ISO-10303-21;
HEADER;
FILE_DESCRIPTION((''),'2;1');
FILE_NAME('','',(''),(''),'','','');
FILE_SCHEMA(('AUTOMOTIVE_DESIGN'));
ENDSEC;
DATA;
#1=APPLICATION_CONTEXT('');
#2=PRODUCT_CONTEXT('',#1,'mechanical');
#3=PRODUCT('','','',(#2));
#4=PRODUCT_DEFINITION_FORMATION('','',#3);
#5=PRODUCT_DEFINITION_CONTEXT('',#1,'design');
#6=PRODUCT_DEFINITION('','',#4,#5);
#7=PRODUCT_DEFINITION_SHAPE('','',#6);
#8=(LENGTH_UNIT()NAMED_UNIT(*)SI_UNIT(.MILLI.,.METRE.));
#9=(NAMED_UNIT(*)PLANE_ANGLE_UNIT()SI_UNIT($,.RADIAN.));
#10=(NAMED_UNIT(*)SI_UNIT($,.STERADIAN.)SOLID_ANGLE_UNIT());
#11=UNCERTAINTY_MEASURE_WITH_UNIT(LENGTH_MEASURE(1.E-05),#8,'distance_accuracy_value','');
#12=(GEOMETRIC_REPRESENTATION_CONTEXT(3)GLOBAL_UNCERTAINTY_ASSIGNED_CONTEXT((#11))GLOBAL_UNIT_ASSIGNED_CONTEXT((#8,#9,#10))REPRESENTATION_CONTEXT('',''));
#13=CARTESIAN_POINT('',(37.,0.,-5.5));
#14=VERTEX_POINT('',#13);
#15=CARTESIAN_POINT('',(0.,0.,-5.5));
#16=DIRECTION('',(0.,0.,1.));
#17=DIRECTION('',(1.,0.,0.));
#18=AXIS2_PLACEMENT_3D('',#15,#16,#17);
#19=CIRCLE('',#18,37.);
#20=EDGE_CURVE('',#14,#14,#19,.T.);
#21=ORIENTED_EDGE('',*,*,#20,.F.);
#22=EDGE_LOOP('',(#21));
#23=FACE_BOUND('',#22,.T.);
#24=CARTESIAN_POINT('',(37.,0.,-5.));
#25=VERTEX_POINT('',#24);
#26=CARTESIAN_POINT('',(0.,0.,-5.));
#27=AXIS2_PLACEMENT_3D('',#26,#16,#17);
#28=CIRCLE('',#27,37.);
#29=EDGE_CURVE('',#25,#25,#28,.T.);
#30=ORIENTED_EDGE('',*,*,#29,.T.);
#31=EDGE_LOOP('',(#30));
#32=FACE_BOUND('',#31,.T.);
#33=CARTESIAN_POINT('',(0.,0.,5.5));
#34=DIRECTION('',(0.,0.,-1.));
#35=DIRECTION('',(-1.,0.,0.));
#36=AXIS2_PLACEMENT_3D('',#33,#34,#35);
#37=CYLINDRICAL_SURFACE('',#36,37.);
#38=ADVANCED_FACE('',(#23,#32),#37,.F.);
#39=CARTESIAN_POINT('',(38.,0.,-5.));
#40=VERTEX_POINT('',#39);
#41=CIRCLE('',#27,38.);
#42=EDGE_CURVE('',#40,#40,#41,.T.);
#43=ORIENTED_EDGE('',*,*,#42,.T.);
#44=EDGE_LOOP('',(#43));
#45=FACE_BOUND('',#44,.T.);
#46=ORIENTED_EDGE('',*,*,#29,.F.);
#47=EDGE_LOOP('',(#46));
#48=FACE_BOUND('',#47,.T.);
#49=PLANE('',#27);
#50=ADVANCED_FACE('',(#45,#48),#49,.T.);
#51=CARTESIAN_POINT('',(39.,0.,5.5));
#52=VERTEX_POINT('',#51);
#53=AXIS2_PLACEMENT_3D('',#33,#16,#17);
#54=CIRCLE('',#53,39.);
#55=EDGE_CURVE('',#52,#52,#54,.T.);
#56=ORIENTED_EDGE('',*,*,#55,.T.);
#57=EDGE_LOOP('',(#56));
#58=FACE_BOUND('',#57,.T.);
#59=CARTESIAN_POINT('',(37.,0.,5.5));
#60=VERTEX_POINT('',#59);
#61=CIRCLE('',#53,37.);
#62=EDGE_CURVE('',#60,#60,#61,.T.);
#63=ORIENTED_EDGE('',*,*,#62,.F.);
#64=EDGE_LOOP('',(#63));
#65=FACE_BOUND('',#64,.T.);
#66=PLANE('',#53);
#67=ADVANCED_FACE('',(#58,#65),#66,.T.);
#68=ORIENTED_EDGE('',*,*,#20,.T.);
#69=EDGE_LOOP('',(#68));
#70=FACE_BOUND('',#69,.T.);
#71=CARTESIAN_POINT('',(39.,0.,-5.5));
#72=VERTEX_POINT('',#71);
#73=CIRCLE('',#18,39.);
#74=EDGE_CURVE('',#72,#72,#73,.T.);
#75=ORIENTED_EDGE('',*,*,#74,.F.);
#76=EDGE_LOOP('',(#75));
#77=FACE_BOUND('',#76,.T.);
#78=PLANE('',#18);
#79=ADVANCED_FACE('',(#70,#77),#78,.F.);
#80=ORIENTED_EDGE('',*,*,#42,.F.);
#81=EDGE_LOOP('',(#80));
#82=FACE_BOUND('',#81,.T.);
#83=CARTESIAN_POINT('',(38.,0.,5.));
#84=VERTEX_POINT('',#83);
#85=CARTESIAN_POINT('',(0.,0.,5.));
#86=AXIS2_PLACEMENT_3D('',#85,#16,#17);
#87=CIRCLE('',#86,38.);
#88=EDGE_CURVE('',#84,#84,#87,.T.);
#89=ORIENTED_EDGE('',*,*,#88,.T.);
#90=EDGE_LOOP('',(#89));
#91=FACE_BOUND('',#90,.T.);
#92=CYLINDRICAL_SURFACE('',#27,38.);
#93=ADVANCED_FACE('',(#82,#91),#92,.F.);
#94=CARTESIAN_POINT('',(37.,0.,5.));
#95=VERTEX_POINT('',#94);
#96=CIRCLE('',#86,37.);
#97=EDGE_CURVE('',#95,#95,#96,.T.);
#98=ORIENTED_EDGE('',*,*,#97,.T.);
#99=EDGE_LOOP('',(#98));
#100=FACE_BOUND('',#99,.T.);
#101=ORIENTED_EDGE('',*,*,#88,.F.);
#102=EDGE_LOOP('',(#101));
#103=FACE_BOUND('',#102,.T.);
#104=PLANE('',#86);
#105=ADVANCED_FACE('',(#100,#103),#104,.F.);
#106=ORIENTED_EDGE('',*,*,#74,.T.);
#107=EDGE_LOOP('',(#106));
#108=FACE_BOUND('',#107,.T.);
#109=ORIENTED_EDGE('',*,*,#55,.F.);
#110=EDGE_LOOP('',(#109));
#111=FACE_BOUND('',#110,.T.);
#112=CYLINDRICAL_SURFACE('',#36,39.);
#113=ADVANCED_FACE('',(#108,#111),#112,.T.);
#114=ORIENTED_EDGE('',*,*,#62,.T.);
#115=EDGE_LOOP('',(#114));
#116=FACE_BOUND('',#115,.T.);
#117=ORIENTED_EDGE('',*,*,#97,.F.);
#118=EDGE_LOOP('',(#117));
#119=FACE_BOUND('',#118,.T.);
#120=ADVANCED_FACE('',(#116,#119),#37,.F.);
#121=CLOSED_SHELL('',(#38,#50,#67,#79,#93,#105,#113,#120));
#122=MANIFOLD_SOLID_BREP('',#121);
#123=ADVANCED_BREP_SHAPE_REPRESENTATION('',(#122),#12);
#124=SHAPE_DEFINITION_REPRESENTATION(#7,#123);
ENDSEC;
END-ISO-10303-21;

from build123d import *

# Parameters (mm, degrees)
SKETCH1_R           = 39
SKETCH1_R_2         = 37
BOSS_EXTRUDE1_DEPTH = 5.5
SKETCH1_7_R         = 38
SKETCH1_7_R_2       = 37
CUT_EXTRUDE1_DEPTH  = 5


with BuildPart() as part:
    # Sketch1 → Boss-Extrude1 (new, symmetric)
    with BuildSketch(Plane.XY):
        Circle(SKETCH1_R)
        Circle(SKETCH1_R_2, mode=Mode.SUBTRACT)
    extrude(amount=BOSS_EXTRUDE1_DEPTH, both=True)

    # Sketch1<7> → Cut-Extrude1 (cut, symmetric)
    with BuildSketch(Plane.XY):
        Circle(SKETCH1_7_R)
        Circle(SKETCH1_7_R_2, mode=Mode.SUBTRACT)
    extrude(amount=CUT_EXTRUDE1_DEPTH, both=True, mode=Mode.SUBTRACT)


solid = part.part
